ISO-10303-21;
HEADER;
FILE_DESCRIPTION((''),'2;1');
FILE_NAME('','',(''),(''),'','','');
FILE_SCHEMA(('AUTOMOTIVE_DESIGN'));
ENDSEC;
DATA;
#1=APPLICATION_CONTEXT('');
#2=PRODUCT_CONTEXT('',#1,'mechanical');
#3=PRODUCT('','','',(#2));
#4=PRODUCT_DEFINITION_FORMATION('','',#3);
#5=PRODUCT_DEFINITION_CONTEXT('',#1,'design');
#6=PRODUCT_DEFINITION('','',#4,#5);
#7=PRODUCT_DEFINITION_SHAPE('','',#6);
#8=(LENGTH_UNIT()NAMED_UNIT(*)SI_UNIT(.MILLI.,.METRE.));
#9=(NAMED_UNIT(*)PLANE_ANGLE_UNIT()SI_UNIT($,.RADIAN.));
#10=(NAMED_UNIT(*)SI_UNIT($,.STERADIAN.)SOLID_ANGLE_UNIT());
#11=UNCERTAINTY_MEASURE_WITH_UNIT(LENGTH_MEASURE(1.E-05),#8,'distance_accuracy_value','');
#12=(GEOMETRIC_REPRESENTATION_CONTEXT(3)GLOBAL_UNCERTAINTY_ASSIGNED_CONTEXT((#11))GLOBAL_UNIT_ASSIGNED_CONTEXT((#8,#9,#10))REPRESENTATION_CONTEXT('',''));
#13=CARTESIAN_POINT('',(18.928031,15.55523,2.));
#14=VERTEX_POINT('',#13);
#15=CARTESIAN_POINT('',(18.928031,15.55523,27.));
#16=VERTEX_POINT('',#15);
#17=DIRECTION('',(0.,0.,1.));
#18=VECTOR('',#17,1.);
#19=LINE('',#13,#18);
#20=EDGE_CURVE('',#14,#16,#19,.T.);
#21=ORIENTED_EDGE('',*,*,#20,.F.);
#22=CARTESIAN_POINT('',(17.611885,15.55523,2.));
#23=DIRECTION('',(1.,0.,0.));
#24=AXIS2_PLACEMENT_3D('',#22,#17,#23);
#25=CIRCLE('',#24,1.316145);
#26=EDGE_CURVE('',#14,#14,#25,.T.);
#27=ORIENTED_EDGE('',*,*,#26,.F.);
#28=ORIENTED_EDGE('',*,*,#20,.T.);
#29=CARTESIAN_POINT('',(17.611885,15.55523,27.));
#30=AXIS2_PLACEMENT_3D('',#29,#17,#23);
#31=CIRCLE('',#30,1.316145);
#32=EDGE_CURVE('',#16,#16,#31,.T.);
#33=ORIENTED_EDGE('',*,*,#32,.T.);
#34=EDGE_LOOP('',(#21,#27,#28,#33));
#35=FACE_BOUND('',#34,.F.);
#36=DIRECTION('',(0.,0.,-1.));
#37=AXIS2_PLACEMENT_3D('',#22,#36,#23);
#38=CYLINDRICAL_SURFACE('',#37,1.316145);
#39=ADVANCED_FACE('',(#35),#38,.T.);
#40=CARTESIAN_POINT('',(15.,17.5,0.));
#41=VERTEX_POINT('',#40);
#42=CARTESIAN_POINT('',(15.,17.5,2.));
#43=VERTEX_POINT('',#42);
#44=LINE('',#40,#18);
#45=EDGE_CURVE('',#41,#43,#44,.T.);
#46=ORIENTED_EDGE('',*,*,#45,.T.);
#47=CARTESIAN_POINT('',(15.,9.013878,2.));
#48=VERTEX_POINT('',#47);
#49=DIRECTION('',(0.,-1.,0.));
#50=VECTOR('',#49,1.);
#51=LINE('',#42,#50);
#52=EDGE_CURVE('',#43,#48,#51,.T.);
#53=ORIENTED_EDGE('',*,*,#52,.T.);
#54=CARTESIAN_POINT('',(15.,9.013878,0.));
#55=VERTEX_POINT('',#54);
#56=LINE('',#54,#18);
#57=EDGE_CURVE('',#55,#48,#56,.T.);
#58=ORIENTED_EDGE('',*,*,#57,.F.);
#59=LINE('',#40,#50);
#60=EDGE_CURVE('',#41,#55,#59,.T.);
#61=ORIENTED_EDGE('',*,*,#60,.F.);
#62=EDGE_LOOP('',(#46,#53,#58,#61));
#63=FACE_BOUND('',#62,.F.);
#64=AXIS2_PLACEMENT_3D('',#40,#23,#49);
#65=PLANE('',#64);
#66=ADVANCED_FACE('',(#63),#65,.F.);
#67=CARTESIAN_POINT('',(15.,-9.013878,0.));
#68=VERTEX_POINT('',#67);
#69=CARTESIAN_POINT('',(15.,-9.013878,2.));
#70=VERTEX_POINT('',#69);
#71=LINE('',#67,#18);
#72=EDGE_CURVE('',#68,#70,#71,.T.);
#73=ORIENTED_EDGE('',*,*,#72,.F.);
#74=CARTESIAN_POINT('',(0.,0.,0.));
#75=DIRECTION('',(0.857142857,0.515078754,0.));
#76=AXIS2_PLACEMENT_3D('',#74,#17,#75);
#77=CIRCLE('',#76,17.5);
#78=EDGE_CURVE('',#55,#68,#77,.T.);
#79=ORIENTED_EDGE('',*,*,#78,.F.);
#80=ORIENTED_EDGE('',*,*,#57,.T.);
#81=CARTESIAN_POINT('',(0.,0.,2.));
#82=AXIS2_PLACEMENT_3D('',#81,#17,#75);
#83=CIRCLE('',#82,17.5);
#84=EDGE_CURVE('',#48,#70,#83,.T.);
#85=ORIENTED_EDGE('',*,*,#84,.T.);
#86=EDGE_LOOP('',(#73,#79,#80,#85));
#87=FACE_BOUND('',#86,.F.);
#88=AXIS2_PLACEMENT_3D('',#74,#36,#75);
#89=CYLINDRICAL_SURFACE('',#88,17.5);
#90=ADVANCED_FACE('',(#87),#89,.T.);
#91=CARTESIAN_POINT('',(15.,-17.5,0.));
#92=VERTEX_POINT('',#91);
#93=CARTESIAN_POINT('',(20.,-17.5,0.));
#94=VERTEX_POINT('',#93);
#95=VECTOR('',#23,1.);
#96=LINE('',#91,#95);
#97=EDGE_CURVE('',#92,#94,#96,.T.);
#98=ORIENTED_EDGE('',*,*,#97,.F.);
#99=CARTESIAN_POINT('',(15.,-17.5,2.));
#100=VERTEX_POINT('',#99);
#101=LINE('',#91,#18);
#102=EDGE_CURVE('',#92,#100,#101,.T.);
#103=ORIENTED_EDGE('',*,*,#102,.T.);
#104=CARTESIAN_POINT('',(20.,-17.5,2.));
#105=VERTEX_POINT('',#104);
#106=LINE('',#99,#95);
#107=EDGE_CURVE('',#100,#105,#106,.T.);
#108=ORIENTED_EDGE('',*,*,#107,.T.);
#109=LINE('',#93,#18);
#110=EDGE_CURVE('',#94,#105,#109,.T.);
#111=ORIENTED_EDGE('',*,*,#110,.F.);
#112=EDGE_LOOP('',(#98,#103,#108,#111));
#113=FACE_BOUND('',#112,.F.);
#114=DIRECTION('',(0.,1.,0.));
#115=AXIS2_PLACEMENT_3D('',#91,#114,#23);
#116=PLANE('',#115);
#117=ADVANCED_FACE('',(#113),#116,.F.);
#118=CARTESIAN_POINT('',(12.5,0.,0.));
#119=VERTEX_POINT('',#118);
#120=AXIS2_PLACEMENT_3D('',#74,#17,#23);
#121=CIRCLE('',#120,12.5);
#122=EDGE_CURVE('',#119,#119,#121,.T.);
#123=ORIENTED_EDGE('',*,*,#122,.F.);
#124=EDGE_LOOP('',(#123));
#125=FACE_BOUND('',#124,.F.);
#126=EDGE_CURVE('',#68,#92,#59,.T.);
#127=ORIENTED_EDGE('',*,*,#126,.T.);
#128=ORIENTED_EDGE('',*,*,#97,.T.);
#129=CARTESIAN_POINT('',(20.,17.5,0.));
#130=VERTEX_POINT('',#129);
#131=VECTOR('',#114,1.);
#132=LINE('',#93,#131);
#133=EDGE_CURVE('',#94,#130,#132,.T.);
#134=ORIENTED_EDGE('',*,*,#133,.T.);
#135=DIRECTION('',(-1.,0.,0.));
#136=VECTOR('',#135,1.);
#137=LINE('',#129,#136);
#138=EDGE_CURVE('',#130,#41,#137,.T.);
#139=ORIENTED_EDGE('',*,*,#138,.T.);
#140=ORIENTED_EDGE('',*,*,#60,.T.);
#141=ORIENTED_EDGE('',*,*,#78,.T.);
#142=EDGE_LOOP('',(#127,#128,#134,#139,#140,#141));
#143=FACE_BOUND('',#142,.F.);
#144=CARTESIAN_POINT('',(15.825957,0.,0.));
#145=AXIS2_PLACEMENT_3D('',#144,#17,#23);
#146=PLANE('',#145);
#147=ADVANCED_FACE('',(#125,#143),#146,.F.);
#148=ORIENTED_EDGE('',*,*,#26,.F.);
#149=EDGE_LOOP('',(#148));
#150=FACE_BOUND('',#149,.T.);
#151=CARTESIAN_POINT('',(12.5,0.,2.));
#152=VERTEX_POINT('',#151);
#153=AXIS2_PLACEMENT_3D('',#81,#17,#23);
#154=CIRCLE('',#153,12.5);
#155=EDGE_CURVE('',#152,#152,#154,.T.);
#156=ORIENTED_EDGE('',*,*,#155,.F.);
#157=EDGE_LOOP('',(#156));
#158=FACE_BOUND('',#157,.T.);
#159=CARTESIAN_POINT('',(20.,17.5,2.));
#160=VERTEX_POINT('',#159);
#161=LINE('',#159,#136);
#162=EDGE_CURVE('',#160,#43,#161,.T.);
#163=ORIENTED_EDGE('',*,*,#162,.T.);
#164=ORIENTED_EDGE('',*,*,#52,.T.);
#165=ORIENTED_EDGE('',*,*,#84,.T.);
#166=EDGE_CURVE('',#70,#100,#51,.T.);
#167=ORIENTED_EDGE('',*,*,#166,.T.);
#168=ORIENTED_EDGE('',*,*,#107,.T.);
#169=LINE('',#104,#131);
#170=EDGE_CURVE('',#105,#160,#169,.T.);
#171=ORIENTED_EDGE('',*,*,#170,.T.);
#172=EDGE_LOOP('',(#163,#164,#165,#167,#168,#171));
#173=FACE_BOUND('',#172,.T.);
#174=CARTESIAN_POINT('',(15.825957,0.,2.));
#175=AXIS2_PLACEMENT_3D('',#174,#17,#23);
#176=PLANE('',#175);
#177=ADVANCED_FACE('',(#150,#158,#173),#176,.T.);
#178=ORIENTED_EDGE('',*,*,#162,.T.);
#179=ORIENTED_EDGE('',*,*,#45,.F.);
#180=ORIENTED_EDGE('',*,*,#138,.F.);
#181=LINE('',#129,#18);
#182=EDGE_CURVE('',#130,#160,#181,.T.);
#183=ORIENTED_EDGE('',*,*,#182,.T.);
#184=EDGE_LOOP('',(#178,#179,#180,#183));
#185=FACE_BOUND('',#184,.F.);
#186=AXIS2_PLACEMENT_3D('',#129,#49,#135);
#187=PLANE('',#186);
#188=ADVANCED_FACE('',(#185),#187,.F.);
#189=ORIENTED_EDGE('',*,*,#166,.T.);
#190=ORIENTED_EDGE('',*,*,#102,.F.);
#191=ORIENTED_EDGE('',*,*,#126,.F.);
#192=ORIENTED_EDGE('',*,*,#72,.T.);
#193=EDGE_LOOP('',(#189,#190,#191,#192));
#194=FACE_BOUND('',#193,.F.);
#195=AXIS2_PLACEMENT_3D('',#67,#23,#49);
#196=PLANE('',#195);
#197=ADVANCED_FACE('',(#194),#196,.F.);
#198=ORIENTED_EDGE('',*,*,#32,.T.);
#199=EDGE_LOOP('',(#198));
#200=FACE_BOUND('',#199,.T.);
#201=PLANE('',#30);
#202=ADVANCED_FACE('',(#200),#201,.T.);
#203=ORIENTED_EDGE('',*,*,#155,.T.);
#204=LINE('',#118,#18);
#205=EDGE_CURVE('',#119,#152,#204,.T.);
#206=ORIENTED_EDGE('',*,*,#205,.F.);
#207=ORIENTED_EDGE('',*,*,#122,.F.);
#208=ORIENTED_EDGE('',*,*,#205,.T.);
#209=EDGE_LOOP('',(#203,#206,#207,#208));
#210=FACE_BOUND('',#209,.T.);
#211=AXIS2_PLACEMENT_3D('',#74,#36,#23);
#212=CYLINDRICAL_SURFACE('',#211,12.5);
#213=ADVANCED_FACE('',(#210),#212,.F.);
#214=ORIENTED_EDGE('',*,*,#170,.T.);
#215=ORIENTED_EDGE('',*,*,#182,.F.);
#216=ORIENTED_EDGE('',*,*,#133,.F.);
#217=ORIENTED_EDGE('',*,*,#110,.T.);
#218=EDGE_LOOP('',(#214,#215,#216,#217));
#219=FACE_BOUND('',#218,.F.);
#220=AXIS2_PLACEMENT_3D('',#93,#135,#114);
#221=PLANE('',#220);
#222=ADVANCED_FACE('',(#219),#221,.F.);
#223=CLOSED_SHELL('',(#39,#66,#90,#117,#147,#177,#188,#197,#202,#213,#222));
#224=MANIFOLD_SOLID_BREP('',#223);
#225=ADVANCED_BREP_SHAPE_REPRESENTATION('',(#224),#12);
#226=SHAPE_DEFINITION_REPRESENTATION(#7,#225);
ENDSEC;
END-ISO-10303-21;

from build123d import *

# Parameters (mm, degrees)
F0_R     = 12.5
F1_DEPTH = 2
F2_R     = 1.3161451829
F3_DEPTH = 25


with BuildPart() as f1:
    # F0 (on Top) → F1 (new body)
    with BuildSketch(Plane.XY):
        with BuildLine():
            ThreePointArc((15, -9.0138781887), (16.863421954, -4.6770717335), (17.5, 0))
            ThreePointArc((17.5, 0), (16.863421954, 4.6770717335), (15, 9.0138781887))
            Line((15, 9.0138781887), (15, -9.0138781887))
        make_face()
        with BuildLine():
            ThreePointArc((15, 9.0138781887), (16.863421954, 4.6770717335), (17.5, 0))
            ThreePointArc((17.5, 0), (16.863421954, -4.6770717335), (15, -9.0138781887))
            Line((15, -9.0138781887), (15, -17.5))
            Line((15, -17.5), (20, -17.5))
            Line((20, -17.5), (20, 17.5))
            Line((20, 17.5), (15, 17.5))
            Line((15, 17.5), (15, 9.0138781887))
        make_face()
        with BuildLine():
            Line((15, -9.0138781887), (15, 9.0138781887))
            ThreePointArc((15, 9.0138781887), (-17.5, 0), (15, -9.0138781887))
        make_face()
        Circle(F0_R, mode=Mode.SUBTRACT)
    extrude(amount=F1_DEPTH)

    # F2 (on face) → F3 (join)
    with BuildSketch(Plane.XY.offset(2)):
        with Locations((17.6118854433, 15.5552299693)):
            Circle(F2_R)
    extrude(amount=F3_DEPTH)


solid = f1.part
